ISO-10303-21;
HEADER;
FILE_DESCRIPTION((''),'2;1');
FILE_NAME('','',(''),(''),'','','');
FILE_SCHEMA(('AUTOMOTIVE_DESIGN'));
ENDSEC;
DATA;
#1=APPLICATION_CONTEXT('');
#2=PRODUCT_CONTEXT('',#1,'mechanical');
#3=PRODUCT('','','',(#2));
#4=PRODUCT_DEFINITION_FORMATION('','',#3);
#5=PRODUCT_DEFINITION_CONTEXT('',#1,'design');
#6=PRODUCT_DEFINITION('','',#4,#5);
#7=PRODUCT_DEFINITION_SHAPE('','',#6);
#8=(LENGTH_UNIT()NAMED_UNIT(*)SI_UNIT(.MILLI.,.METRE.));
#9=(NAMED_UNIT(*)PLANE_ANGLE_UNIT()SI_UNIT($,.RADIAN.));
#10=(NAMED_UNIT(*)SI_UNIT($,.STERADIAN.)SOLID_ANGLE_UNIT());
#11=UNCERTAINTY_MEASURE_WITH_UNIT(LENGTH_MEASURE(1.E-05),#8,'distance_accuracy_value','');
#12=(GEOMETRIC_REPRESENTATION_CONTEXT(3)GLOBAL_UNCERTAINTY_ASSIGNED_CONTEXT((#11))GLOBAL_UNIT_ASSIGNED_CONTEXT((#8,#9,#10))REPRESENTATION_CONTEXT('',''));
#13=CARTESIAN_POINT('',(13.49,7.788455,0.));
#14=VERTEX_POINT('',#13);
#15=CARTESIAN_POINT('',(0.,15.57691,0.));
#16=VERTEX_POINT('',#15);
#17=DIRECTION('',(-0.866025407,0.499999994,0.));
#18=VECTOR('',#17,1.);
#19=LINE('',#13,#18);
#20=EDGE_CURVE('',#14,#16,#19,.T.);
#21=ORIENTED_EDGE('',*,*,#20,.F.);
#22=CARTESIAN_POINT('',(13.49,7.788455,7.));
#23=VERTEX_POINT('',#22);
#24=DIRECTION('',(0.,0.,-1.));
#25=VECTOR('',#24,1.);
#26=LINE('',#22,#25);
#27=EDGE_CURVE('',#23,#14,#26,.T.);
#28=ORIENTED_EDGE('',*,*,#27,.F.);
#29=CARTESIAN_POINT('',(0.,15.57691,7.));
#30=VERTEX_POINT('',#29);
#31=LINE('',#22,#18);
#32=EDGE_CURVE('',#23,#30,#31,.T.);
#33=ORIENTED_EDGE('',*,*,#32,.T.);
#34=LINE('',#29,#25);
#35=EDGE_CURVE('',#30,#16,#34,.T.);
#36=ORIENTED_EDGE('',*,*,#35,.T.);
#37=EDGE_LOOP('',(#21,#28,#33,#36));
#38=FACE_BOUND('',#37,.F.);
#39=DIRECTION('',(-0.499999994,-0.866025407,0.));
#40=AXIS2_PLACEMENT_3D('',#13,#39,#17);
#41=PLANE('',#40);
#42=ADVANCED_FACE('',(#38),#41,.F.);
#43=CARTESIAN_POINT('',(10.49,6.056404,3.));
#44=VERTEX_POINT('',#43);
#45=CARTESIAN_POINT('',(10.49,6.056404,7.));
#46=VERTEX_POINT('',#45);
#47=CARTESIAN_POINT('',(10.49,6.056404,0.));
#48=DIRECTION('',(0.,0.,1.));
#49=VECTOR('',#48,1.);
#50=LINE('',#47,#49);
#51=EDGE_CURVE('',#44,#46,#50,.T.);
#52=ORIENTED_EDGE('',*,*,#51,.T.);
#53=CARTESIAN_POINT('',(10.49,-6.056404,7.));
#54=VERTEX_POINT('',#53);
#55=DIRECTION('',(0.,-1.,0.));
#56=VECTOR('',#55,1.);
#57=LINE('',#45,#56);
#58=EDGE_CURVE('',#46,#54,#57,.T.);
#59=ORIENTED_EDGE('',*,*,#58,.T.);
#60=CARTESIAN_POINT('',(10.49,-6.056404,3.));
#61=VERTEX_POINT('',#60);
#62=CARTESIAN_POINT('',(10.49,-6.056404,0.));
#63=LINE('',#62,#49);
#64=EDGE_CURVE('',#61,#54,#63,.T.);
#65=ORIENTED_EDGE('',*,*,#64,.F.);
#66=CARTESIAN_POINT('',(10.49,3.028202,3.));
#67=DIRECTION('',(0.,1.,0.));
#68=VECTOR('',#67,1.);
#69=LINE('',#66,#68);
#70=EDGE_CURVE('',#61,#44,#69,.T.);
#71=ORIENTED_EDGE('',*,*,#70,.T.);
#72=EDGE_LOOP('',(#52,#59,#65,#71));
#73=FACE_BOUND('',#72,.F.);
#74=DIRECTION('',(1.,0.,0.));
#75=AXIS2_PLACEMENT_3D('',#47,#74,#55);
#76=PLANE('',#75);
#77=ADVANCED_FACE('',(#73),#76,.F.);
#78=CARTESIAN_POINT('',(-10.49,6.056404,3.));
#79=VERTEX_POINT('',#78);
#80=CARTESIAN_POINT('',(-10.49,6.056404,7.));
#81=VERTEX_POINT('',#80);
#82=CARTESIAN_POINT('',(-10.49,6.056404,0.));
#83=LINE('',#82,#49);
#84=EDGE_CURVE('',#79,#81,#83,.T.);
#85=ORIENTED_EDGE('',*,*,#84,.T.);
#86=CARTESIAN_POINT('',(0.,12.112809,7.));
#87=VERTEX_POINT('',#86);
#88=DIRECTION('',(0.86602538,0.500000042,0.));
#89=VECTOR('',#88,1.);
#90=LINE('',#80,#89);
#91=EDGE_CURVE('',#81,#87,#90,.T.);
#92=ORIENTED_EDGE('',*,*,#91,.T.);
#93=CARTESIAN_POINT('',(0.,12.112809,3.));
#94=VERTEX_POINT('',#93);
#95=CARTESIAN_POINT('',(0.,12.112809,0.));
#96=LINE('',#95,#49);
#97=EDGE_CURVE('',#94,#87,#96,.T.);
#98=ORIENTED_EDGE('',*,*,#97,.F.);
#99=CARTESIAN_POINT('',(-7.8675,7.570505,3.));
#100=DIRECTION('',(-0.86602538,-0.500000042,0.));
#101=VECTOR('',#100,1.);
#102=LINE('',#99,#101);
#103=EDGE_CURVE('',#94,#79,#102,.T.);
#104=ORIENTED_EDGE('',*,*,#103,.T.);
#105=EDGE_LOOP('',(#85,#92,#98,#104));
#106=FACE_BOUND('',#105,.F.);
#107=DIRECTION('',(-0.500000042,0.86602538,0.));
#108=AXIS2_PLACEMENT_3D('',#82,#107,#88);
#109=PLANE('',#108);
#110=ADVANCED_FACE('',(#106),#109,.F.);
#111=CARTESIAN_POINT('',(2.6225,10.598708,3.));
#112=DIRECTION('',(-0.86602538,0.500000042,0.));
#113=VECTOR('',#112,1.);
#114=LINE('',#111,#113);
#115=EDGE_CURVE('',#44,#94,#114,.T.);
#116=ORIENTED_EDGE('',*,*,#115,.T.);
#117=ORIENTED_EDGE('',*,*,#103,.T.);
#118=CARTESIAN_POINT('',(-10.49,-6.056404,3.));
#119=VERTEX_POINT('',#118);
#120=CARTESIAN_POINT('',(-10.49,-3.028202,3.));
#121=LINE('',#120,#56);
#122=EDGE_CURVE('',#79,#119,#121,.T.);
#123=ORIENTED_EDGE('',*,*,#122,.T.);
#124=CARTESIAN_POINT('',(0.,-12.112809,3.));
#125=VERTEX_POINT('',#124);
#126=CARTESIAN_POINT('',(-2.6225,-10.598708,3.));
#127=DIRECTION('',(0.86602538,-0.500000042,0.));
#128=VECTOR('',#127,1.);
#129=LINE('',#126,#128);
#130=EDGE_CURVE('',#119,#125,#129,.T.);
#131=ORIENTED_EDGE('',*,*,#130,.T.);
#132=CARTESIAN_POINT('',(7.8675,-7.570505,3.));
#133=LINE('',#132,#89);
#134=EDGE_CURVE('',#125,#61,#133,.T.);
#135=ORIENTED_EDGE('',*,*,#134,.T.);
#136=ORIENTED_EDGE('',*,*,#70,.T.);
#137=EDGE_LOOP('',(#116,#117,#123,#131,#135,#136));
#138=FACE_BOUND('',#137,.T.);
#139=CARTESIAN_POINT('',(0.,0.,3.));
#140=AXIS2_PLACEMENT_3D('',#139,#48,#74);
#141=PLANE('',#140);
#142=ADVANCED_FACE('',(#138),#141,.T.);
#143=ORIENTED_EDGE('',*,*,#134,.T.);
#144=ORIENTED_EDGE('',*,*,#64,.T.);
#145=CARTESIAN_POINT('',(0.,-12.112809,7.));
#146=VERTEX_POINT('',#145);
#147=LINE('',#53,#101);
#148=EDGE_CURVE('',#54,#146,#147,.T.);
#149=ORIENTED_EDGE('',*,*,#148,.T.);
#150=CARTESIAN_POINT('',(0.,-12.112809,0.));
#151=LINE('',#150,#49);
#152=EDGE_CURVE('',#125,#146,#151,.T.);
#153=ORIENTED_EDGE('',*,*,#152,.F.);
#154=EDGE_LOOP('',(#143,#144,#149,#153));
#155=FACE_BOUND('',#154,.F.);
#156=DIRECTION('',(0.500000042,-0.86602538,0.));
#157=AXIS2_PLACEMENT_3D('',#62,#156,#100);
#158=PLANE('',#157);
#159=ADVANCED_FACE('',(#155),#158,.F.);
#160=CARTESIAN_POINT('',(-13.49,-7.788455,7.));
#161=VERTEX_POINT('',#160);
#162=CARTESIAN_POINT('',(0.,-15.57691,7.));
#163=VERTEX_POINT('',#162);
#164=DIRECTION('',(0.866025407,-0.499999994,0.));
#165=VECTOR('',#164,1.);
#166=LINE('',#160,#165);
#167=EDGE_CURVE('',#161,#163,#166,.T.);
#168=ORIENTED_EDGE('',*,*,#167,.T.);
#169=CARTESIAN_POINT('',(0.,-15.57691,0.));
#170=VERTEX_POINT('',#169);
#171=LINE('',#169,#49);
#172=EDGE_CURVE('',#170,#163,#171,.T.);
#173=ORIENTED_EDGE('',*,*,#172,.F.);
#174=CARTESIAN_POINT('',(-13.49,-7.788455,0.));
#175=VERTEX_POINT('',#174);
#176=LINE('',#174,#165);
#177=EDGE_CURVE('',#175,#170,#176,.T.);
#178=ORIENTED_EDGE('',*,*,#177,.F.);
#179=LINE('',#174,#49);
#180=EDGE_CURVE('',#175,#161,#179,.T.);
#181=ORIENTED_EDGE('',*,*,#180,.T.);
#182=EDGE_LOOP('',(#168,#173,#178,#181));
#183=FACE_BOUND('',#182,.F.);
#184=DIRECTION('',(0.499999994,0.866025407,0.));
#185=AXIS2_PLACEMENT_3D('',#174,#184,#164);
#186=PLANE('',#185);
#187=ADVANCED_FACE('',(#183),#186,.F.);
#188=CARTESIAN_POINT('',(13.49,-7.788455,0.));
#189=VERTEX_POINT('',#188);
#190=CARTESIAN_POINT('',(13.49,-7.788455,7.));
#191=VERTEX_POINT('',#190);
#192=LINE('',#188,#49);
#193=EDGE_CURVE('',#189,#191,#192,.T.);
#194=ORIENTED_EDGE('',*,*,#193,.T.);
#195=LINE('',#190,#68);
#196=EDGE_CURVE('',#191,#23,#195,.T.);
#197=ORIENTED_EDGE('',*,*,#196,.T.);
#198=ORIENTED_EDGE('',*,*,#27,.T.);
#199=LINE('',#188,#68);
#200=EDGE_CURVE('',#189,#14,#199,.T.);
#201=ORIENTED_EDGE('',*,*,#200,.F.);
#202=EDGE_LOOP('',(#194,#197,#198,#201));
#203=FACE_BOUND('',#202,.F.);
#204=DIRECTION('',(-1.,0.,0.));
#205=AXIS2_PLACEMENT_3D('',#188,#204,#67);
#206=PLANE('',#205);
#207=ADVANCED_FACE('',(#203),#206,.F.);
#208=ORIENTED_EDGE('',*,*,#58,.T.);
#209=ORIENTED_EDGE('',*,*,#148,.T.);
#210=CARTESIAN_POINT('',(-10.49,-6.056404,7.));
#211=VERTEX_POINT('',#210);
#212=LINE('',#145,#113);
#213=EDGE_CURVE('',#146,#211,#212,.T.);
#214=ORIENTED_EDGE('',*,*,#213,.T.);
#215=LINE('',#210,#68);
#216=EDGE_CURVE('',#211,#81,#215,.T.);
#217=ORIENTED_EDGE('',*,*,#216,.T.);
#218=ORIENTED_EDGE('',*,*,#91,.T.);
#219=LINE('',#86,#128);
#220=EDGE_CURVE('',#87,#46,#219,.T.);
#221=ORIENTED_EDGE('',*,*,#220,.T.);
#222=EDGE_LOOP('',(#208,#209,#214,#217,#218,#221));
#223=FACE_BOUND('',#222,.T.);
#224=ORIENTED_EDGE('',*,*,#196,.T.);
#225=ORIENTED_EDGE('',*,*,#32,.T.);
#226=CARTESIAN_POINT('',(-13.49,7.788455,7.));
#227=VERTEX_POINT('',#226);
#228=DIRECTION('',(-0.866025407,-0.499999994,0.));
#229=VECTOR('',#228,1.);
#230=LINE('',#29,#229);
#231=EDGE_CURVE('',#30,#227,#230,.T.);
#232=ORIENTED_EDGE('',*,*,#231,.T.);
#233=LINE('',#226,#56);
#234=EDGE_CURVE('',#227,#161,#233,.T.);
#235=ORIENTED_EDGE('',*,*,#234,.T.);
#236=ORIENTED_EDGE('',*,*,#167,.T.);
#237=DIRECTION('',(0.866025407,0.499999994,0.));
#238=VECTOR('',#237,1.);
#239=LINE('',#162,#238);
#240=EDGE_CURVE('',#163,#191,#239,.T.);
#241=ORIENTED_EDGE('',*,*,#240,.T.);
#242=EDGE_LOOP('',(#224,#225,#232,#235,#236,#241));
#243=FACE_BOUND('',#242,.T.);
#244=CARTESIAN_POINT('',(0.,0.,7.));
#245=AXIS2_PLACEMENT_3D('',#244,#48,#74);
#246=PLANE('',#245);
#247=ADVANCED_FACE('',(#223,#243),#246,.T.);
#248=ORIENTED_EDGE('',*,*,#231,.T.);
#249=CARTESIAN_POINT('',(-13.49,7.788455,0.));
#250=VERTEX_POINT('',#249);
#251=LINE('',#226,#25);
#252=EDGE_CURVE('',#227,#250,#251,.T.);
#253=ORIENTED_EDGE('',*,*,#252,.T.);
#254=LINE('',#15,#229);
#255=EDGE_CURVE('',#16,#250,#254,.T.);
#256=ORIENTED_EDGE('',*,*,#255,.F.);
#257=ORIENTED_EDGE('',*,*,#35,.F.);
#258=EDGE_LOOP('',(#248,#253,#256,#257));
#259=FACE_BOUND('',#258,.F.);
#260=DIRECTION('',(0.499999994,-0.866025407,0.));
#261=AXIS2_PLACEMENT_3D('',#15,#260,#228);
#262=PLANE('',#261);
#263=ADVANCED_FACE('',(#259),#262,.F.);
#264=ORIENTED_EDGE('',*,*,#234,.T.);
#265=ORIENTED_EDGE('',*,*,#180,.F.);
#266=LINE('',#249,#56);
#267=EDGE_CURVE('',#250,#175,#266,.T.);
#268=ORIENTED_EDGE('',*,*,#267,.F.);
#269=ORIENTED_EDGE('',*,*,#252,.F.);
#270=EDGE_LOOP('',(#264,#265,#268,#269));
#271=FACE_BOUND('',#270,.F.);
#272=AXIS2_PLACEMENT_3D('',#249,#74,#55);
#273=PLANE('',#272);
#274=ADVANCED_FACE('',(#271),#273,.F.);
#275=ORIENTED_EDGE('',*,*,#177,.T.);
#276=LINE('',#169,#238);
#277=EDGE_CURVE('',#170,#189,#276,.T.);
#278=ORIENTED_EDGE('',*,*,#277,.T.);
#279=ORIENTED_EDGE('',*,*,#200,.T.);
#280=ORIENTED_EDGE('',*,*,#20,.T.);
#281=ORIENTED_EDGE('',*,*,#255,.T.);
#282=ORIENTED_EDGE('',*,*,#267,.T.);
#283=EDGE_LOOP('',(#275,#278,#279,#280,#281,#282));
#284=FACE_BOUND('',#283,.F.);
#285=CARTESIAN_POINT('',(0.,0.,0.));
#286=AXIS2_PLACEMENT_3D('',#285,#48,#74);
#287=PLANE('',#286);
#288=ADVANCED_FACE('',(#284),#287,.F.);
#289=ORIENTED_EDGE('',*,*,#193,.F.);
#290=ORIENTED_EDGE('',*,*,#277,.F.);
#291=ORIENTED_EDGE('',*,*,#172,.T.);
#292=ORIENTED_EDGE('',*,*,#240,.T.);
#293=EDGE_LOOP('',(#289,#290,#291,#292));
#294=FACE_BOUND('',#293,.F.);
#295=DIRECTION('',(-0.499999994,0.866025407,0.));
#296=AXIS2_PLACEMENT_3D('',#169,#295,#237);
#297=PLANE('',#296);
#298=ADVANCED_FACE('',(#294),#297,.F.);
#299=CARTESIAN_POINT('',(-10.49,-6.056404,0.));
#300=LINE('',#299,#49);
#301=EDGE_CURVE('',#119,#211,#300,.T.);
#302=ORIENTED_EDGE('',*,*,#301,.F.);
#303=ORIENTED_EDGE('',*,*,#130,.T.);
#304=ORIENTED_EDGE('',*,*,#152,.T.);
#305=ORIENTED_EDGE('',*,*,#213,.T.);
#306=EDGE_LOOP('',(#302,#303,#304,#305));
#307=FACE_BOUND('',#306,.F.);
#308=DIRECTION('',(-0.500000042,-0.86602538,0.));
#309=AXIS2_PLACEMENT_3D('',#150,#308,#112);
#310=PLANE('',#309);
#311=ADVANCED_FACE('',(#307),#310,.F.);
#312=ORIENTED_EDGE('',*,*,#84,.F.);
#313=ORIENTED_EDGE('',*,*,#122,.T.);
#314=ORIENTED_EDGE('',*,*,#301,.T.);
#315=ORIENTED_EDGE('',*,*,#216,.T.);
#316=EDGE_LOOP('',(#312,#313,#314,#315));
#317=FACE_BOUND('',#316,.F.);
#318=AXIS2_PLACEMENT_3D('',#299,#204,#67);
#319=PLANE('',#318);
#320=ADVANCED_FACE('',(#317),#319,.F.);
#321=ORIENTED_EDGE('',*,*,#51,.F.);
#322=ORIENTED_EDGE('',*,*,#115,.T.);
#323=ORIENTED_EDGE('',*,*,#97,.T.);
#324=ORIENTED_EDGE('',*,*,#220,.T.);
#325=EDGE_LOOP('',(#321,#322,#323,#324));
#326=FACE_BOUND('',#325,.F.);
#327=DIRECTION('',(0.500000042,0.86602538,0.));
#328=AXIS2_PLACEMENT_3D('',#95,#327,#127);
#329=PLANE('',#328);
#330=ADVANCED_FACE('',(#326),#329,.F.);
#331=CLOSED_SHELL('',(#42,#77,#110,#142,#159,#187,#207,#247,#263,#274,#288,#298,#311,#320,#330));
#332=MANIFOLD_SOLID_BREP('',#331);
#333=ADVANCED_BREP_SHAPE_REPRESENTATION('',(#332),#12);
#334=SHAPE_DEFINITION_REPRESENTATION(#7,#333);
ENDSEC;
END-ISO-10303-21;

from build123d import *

# Parameters (mm, degrees)
F1_DEPTH = 3
F2_DEPTH = 7


with BuildPart() as f1:
    # F0 (on Top) → F1 (new body)
    with BuildSketch(Plane.XY):
        Polygon((-13.49, 7.788455), (-13.49, -7.788455), (0, -15.57691), (13.49, -7.788455), (13.49, 7.788455), (0, 15.57691), align=None)
        Polygon((0, 12.112809), (10.49, 6.056404), (10.49, -6.056404), (0, -12.112809), (-10.49, -6.056404), (-10.49, 6.056404), align=None, mode=Mode.SUBTRACT)
        Polygon((10.49, -6.056404), (10.49, 6.056404), (0, 12.112809), (-10.49, 6.056404), (-10.49, -6.056404), (0, -12.112809), align=None)
    extrude(amount=F1_DEPTH)

    # F0 (on Top) → F2 (join)
    with BuildSketch(Plane.XY):
        Polygon((-13.49, 7.788455), (-13.49, -7.788455), (0, -15.57691), (13.49, -7.788455), (13.49, 7.788455), (0, 15.57691), align=None)
        Polygon((0, 12.112809), (10.49, 6.056404), (10.49, -6.056404), (0, -12.112809), (-10.49, -6.056404), (-10.49, 6.056404), align=None, mode=Mode.SUBTRACT)
    extrude(amount=F2_DEPTH)


solid = f1.part
